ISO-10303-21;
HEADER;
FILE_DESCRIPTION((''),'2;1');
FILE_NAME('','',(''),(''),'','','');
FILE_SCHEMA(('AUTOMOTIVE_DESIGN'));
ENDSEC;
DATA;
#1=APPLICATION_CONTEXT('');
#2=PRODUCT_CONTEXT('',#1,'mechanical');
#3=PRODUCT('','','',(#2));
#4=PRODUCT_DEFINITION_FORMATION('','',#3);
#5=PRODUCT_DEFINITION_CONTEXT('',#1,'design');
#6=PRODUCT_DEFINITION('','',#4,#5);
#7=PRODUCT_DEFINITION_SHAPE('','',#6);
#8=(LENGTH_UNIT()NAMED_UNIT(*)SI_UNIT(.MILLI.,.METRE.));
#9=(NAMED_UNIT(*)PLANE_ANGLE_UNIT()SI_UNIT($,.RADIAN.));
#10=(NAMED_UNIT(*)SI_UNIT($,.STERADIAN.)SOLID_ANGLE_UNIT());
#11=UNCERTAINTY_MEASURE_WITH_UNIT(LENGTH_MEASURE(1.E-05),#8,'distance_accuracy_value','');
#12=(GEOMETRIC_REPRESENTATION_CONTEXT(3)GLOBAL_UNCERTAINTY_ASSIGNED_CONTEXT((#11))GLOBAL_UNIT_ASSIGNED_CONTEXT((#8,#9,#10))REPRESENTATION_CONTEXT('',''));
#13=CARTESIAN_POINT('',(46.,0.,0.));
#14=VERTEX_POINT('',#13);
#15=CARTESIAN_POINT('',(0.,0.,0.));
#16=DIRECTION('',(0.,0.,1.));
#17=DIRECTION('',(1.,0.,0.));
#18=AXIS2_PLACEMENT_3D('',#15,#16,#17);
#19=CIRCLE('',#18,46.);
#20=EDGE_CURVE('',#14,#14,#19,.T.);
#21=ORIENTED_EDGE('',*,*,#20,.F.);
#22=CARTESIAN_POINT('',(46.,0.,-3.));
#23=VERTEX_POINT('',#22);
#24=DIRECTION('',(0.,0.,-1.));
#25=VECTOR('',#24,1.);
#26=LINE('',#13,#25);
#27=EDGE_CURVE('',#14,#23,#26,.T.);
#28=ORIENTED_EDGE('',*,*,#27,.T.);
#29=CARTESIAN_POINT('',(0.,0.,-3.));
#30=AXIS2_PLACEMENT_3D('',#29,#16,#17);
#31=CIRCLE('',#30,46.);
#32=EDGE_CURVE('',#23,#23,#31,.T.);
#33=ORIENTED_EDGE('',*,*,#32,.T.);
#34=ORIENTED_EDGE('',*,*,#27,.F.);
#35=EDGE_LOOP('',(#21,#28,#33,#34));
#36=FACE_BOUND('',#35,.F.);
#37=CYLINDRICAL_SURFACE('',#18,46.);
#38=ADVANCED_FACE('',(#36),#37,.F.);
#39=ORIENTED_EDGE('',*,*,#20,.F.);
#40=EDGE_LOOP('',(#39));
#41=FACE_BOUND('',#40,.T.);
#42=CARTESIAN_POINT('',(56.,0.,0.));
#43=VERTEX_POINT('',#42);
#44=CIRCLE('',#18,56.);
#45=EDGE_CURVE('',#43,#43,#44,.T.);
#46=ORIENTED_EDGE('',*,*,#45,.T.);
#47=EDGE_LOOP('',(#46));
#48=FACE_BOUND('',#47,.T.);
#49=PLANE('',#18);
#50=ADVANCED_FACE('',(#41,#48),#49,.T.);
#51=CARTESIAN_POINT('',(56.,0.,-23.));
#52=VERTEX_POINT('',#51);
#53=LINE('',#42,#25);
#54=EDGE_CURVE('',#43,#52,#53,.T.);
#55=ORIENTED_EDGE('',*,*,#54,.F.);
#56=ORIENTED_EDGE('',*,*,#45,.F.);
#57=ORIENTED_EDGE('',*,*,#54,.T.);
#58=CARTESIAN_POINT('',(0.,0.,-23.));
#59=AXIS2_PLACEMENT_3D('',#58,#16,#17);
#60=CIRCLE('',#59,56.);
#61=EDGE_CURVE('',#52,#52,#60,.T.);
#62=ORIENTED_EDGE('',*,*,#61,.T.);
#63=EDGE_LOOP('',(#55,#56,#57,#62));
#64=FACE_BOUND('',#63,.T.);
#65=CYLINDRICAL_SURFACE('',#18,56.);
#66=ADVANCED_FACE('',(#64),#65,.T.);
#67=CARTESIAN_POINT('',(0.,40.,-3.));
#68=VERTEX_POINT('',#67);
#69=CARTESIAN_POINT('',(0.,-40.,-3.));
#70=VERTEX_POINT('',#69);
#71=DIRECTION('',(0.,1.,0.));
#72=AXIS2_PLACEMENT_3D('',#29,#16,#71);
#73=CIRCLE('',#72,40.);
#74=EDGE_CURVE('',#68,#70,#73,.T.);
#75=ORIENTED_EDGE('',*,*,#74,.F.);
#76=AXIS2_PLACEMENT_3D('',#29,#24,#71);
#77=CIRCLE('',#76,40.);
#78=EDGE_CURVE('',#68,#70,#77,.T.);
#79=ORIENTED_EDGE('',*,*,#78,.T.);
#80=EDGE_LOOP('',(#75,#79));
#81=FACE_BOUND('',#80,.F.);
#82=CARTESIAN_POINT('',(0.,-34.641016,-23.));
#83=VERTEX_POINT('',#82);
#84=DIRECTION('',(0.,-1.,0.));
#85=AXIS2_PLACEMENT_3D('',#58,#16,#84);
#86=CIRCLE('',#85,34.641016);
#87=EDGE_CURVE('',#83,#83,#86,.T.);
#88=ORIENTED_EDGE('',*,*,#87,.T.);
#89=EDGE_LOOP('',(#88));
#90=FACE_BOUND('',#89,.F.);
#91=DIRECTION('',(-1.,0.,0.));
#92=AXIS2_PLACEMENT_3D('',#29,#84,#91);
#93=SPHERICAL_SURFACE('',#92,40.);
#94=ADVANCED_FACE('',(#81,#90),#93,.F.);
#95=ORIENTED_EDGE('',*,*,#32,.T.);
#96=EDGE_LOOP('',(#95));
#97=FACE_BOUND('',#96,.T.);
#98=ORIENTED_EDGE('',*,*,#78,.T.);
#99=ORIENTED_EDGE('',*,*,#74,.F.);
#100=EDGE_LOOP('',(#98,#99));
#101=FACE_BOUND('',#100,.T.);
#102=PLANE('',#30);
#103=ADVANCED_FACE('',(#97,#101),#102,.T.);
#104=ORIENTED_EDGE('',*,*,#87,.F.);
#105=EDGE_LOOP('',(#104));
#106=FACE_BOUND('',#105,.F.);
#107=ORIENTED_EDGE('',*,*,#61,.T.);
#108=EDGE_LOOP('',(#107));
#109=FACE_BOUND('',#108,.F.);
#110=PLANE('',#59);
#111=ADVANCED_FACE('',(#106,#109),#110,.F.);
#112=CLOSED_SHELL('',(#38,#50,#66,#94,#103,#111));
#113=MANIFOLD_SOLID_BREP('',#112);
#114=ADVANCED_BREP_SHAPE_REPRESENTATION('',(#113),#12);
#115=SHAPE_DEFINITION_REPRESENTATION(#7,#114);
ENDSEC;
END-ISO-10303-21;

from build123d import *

# Parameters (mm, degrees)
F0_R     = 56
F1_DEPTH = 23
F2_R     = 46
F3_DEPTH = 3
F5_ANGLE = -180


with BuildPart() as f1:
    # F0 (on Top) → F1 (new body)
    with BuildSketch(Plane.XY):
        Circle(F0_R)
    extrude(amount=-F1_DEPTH)

    # F2 (on face) → F3 (cut)
    with BuildSketch(Plane.XY):
        Circle(F2_R)
    extrude(amount=-F3_DEPTH, mode=Mode.SUBTRACT)

    # F4 (on face) → F5 (revolve, cut)
    with BuildSketch(Plane.XY.offset(-3)):
        with BuildLine():
            Line((0, -40), (0, 40))
            ThreePointArc((0, 40), (-40, 0), (0, -40))
        make_face()
    revolve(axis=Axis((0, 0, -3), (0, 1, 0)), revolution_arc=F5_ANGLE, mode=Mode.SUBTRACT)


solid = f1.part
